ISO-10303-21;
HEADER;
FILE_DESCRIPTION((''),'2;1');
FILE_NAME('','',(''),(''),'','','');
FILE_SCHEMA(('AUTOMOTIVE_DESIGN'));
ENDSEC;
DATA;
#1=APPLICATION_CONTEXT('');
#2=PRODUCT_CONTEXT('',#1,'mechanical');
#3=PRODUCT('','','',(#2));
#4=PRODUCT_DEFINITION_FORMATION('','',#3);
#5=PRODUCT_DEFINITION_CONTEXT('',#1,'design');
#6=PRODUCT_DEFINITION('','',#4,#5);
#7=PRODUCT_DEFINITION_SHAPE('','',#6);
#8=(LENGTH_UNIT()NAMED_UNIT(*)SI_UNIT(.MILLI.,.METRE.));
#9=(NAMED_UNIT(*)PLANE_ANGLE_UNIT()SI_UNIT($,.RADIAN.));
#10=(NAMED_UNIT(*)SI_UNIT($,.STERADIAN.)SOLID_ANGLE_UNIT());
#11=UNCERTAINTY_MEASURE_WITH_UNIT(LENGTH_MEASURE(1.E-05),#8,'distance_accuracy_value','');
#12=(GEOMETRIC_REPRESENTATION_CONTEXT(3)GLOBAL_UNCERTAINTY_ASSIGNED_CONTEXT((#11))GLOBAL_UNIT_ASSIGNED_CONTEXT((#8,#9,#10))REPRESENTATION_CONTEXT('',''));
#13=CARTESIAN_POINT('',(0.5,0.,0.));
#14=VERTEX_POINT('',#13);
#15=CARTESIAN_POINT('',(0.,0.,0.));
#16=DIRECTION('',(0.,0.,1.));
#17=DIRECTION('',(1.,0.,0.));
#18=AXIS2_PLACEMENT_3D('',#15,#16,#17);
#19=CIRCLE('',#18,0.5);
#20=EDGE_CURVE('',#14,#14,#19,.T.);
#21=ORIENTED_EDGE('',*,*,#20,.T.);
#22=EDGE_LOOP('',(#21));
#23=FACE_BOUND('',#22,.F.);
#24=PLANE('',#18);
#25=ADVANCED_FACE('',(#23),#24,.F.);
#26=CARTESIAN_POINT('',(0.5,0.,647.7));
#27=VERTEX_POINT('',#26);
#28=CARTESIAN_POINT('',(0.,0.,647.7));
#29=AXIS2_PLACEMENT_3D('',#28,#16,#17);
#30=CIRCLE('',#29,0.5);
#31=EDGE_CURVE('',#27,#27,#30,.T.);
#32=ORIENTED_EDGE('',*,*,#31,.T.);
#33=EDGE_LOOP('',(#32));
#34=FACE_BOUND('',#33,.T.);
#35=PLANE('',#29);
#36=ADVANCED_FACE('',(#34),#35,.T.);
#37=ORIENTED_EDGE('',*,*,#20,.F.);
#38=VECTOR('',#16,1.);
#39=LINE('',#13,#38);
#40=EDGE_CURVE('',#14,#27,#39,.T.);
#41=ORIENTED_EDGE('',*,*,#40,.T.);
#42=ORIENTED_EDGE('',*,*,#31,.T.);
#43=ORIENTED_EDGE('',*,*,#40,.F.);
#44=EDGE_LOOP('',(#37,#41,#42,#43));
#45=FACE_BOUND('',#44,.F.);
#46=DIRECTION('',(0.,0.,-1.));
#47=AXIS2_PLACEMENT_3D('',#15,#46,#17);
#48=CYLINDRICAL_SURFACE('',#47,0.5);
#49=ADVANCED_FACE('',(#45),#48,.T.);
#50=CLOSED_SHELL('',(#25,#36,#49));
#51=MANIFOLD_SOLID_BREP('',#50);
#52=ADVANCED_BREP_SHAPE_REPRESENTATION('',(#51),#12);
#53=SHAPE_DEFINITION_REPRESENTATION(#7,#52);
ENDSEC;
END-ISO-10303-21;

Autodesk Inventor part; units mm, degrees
ref_plane "YZ Plane" through (0, 0, 0) normal (1, 0, 0) x (0, 1, 0)
ref_plane "XZ Plane" through (0, 0, 0) normal (0, 1, 0) x (-1, 0, 0)
ref_plane "XY Plane" through (0, 0, 0) normal (0, 0, 1) x (1, 0, 0)
sketch "Sketch1" plane through (0, 0, 0) normal (0, 0, 1) x (1, 0, 0)
  circle A0 centre (0, 0) radius 0.5
  dimension "d0" = 1
extrude "Extrusion1" add sketch "Sketch1" along normal blind 647.7
equation "\"d0\" = stringDiameter"
equation "\"d1\" = stringLength"
equation "\"stringDiameter\" = 1"
equation "\"stringLength\" = 647.7"
properties part number "String"
